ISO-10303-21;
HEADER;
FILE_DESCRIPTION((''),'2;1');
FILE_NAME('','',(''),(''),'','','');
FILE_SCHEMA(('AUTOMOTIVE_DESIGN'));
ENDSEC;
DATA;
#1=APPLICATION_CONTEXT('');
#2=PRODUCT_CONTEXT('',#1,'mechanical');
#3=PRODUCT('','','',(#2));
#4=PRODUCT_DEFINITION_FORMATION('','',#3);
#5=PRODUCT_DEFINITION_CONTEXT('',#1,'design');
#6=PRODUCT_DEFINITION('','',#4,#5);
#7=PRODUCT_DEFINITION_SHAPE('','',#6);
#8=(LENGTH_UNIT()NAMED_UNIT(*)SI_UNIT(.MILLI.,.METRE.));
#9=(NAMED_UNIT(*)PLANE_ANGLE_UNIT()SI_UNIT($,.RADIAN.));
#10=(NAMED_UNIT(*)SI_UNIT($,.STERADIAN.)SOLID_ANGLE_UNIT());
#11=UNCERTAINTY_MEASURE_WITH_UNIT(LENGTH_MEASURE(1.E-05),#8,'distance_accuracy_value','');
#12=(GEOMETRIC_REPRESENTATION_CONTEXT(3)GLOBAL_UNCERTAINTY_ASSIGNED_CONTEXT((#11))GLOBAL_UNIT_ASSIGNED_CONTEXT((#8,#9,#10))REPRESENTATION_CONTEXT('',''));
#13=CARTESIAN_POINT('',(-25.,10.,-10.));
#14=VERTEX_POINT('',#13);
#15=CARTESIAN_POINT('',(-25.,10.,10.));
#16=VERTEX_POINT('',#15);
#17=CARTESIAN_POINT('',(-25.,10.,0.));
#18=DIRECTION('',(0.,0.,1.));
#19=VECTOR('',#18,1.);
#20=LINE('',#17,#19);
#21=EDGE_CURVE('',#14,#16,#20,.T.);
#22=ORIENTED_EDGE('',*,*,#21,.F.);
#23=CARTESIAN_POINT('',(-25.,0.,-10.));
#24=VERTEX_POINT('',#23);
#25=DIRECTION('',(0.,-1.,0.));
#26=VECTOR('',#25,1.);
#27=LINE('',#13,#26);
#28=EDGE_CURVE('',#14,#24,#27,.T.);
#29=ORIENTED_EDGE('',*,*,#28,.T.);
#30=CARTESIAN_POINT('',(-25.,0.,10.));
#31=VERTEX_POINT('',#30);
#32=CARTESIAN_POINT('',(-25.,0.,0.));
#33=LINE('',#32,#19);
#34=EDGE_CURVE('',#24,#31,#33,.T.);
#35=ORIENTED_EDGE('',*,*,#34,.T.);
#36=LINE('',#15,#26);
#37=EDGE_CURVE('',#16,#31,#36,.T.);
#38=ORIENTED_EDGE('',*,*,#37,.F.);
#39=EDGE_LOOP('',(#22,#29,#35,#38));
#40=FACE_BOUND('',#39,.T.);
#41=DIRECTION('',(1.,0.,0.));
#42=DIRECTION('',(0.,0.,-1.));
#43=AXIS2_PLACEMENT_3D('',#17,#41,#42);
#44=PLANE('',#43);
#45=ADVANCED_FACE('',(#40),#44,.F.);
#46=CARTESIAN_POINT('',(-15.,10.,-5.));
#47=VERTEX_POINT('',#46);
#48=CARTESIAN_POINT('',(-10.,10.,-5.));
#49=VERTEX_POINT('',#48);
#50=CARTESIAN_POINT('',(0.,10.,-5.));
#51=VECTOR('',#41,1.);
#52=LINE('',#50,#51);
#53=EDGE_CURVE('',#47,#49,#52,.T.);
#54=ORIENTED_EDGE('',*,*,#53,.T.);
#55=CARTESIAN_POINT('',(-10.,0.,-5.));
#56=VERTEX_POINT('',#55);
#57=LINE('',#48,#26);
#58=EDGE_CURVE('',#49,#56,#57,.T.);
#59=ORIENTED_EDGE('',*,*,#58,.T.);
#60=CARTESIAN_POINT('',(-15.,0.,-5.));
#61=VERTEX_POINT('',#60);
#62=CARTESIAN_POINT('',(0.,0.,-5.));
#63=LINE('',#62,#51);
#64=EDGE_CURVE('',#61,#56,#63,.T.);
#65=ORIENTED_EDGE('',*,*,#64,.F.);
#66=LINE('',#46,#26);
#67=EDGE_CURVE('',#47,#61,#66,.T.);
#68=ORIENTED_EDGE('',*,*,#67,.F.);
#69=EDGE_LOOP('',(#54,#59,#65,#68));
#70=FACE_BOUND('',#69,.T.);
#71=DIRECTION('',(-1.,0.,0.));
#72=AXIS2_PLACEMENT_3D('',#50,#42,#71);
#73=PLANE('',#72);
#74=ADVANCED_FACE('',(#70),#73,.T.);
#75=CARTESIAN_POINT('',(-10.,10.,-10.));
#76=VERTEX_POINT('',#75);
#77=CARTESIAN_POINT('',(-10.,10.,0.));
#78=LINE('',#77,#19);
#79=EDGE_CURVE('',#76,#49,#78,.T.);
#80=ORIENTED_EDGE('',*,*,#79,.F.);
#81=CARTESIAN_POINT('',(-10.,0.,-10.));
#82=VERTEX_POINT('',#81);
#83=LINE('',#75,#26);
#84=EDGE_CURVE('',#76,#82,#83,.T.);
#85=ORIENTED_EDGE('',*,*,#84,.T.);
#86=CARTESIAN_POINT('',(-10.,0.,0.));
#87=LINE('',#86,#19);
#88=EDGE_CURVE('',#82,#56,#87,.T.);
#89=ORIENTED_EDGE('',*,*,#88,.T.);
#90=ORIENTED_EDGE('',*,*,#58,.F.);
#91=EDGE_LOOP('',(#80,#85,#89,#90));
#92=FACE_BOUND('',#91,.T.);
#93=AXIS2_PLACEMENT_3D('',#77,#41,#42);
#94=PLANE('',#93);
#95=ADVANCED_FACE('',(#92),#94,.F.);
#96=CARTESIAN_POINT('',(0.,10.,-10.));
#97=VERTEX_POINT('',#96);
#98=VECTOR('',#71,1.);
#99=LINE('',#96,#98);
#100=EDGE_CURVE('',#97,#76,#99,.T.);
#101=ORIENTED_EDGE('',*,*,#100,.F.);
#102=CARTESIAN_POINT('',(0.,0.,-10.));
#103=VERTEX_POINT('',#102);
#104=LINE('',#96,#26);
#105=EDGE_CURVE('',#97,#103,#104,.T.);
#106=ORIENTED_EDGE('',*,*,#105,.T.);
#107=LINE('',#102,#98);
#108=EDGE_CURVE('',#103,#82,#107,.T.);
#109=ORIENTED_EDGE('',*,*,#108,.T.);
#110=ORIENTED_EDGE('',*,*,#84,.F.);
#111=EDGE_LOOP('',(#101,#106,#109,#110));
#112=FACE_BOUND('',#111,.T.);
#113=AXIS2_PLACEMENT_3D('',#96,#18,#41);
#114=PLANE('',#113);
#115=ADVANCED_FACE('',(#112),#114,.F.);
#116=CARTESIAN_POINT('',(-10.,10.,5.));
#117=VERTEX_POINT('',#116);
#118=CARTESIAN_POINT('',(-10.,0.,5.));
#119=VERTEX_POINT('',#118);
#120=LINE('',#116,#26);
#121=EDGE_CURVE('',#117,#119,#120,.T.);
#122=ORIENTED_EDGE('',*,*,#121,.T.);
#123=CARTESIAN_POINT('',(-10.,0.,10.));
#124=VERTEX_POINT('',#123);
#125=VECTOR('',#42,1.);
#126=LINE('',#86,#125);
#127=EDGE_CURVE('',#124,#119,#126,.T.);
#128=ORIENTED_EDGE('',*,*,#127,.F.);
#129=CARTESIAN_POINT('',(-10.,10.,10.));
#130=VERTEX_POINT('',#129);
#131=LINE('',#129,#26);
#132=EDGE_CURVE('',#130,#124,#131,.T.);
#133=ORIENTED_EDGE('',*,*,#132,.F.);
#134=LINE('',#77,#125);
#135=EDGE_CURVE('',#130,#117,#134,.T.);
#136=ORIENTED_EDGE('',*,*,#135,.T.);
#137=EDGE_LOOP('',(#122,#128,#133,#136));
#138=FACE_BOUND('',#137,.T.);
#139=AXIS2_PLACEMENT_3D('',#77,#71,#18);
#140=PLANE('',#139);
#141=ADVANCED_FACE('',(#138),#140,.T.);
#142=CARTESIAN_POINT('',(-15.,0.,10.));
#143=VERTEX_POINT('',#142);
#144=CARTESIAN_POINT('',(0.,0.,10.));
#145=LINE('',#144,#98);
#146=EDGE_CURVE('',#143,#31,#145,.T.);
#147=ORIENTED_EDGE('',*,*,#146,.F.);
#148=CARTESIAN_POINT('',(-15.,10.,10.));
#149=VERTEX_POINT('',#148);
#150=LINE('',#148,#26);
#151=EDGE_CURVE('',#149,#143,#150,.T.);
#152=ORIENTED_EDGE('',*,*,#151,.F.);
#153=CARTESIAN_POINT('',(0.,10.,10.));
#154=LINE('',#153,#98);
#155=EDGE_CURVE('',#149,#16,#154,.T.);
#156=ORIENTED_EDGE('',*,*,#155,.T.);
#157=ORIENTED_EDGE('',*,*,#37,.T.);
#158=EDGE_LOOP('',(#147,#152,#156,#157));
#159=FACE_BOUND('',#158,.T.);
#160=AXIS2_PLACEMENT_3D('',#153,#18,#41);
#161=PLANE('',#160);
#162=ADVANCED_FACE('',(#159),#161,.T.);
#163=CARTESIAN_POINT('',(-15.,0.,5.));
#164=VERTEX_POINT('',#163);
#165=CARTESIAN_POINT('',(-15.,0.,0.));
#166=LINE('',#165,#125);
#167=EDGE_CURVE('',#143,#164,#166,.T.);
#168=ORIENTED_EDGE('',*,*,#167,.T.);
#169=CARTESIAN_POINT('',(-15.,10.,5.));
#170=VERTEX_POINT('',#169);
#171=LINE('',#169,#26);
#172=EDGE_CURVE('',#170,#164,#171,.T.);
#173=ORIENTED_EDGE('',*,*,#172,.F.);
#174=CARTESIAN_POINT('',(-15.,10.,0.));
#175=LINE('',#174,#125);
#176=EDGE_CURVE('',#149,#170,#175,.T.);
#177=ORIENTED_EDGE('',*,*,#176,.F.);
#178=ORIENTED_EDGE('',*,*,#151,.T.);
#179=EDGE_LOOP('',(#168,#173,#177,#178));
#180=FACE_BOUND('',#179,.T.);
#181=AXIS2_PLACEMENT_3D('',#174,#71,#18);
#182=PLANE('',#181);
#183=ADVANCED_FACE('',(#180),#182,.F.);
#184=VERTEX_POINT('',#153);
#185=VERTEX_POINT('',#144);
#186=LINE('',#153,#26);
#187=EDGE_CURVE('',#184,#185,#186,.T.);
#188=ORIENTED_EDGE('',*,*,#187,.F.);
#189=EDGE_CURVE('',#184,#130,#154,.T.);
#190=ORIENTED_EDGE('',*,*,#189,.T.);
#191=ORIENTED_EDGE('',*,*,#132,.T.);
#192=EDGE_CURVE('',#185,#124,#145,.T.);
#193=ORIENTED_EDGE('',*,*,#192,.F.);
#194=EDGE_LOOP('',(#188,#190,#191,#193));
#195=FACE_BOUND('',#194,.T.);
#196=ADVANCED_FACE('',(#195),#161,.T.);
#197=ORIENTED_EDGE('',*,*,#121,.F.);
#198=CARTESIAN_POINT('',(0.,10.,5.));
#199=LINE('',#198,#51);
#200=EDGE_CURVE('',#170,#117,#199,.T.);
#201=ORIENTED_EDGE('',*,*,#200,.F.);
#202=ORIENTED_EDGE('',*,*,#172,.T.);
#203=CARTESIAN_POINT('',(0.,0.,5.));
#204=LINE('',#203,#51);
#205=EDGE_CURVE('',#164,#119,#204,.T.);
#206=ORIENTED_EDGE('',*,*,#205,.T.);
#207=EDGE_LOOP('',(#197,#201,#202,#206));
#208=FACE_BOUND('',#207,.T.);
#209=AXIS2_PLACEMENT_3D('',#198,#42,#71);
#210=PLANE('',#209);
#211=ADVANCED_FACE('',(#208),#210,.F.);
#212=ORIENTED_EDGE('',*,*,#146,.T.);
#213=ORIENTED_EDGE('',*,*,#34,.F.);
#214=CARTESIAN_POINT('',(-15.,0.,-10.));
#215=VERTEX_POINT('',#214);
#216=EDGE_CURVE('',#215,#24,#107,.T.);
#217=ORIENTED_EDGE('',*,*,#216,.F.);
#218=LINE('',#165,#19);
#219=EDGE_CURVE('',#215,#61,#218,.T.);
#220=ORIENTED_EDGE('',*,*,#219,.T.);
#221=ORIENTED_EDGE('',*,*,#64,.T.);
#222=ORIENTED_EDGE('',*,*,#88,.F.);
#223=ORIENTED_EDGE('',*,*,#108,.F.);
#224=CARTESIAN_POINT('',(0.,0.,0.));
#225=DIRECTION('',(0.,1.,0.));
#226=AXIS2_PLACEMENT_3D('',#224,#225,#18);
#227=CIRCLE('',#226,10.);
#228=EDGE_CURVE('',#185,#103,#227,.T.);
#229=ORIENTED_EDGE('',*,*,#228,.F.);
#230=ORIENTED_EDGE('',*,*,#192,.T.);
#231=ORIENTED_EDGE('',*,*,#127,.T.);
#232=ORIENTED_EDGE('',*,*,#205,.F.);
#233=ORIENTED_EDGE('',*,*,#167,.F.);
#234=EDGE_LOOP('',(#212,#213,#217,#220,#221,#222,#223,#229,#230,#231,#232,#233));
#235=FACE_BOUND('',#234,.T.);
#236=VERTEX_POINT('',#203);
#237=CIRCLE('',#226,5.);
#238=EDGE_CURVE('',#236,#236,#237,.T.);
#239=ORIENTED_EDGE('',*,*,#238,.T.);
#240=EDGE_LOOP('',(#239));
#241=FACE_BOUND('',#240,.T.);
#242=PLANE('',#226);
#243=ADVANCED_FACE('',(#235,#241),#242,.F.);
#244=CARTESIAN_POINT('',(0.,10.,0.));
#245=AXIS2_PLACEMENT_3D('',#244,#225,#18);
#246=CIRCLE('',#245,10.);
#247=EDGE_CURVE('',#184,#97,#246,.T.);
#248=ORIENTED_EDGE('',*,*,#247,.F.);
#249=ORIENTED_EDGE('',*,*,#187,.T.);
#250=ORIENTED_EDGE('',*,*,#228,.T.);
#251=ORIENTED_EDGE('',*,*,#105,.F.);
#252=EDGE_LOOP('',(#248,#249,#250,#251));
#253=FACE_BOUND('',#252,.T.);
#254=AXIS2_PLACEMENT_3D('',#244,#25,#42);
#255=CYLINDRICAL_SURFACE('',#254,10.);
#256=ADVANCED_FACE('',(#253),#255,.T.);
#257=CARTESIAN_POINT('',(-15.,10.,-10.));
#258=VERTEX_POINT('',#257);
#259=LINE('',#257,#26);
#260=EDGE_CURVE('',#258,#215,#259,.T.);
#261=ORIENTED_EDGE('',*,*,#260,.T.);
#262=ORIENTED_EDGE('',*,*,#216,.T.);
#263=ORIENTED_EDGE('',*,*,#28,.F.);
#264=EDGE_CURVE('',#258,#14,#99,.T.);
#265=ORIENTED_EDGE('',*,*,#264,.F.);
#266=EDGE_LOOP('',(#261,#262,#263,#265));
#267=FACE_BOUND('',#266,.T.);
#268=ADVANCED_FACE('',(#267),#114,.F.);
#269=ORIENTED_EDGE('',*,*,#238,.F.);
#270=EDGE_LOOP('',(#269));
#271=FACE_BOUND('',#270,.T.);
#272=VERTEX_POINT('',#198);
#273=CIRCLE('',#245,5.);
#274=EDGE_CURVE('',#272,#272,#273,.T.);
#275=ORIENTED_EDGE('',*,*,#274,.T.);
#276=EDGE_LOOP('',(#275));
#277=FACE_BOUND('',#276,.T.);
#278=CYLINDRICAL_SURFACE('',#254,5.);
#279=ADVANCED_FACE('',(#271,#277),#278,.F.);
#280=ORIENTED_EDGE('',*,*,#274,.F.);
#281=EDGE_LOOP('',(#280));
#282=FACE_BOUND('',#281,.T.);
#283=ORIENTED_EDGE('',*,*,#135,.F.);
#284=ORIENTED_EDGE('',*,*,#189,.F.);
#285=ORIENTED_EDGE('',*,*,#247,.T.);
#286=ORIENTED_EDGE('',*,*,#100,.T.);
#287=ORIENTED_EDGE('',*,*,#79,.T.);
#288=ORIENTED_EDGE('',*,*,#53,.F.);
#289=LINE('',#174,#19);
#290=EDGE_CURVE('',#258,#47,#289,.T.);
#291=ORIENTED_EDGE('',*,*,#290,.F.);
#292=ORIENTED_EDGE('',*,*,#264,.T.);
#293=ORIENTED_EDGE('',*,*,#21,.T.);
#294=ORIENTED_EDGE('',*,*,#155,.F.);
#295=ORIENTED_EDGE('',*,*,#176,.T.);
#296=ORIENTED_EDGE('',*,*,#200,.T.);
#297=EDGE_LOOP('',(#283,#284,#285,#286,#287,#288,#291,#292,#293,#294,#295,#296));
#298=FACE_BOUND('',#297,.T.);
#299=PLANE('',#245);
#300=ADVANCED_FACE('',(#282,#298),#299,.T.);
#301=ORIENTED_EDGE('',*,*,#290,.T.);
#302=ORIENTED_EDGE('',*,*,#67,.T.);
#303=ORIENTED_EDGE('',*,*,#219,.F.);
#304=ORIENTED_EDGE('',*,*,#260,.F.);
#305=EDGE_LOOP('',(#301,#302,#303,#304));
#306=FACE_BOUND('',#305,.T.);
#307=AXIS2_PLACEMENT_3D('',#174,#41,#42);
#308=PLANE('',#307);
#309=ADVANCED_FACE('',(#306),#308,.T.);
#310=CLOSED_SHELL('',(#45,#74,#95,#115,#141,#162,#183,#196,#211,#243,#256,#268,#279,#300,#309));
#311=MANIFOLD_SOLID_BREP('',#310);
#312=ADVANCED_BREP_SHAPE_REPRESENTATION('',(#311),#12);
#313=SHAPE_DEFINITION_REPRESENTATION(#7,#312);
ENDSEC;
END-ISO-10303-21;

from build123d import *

# Parameters (mm, degrees)
SKETCH_1_R      = 5
EXTRUDE_1_DEPTH = 10


with BuildPart() as part:
    # 草圖1 → 填料-伸長1 (new body)
    with BuildSketch(Plane(origin=(0, 0, 0), x_dir=(1, 0, 0), z_dir=(0, 1, 0))):
        with BuildLine():
            ThreePointArc((0, -10), (10, 0), (0, 10))
            Line((0, 10), (-10, 10))
            Line((-10, 10), (-10, 5))
            Line((-10, 5), (-15, 5))
            Line((-15, 5), (-15, 10))
            Line((-15, 10), (-25, 10))
            Line((-25, 10), (-25, -10))
            Line((-25, -10), (-15, -10))
            Line((-15, -10), (-15, -5))
            Line((-15, -5), (-10, -5))
            Line((-10, -5), (-10, -10))
            Line((-10, -10), (0, -10))
        make_face()
        Circle(SKETCH_1_R, mode=Mode.SUBTRACT)
    extrude(amount=EXTRUDE_1_DEPTH)


solid = part.part
